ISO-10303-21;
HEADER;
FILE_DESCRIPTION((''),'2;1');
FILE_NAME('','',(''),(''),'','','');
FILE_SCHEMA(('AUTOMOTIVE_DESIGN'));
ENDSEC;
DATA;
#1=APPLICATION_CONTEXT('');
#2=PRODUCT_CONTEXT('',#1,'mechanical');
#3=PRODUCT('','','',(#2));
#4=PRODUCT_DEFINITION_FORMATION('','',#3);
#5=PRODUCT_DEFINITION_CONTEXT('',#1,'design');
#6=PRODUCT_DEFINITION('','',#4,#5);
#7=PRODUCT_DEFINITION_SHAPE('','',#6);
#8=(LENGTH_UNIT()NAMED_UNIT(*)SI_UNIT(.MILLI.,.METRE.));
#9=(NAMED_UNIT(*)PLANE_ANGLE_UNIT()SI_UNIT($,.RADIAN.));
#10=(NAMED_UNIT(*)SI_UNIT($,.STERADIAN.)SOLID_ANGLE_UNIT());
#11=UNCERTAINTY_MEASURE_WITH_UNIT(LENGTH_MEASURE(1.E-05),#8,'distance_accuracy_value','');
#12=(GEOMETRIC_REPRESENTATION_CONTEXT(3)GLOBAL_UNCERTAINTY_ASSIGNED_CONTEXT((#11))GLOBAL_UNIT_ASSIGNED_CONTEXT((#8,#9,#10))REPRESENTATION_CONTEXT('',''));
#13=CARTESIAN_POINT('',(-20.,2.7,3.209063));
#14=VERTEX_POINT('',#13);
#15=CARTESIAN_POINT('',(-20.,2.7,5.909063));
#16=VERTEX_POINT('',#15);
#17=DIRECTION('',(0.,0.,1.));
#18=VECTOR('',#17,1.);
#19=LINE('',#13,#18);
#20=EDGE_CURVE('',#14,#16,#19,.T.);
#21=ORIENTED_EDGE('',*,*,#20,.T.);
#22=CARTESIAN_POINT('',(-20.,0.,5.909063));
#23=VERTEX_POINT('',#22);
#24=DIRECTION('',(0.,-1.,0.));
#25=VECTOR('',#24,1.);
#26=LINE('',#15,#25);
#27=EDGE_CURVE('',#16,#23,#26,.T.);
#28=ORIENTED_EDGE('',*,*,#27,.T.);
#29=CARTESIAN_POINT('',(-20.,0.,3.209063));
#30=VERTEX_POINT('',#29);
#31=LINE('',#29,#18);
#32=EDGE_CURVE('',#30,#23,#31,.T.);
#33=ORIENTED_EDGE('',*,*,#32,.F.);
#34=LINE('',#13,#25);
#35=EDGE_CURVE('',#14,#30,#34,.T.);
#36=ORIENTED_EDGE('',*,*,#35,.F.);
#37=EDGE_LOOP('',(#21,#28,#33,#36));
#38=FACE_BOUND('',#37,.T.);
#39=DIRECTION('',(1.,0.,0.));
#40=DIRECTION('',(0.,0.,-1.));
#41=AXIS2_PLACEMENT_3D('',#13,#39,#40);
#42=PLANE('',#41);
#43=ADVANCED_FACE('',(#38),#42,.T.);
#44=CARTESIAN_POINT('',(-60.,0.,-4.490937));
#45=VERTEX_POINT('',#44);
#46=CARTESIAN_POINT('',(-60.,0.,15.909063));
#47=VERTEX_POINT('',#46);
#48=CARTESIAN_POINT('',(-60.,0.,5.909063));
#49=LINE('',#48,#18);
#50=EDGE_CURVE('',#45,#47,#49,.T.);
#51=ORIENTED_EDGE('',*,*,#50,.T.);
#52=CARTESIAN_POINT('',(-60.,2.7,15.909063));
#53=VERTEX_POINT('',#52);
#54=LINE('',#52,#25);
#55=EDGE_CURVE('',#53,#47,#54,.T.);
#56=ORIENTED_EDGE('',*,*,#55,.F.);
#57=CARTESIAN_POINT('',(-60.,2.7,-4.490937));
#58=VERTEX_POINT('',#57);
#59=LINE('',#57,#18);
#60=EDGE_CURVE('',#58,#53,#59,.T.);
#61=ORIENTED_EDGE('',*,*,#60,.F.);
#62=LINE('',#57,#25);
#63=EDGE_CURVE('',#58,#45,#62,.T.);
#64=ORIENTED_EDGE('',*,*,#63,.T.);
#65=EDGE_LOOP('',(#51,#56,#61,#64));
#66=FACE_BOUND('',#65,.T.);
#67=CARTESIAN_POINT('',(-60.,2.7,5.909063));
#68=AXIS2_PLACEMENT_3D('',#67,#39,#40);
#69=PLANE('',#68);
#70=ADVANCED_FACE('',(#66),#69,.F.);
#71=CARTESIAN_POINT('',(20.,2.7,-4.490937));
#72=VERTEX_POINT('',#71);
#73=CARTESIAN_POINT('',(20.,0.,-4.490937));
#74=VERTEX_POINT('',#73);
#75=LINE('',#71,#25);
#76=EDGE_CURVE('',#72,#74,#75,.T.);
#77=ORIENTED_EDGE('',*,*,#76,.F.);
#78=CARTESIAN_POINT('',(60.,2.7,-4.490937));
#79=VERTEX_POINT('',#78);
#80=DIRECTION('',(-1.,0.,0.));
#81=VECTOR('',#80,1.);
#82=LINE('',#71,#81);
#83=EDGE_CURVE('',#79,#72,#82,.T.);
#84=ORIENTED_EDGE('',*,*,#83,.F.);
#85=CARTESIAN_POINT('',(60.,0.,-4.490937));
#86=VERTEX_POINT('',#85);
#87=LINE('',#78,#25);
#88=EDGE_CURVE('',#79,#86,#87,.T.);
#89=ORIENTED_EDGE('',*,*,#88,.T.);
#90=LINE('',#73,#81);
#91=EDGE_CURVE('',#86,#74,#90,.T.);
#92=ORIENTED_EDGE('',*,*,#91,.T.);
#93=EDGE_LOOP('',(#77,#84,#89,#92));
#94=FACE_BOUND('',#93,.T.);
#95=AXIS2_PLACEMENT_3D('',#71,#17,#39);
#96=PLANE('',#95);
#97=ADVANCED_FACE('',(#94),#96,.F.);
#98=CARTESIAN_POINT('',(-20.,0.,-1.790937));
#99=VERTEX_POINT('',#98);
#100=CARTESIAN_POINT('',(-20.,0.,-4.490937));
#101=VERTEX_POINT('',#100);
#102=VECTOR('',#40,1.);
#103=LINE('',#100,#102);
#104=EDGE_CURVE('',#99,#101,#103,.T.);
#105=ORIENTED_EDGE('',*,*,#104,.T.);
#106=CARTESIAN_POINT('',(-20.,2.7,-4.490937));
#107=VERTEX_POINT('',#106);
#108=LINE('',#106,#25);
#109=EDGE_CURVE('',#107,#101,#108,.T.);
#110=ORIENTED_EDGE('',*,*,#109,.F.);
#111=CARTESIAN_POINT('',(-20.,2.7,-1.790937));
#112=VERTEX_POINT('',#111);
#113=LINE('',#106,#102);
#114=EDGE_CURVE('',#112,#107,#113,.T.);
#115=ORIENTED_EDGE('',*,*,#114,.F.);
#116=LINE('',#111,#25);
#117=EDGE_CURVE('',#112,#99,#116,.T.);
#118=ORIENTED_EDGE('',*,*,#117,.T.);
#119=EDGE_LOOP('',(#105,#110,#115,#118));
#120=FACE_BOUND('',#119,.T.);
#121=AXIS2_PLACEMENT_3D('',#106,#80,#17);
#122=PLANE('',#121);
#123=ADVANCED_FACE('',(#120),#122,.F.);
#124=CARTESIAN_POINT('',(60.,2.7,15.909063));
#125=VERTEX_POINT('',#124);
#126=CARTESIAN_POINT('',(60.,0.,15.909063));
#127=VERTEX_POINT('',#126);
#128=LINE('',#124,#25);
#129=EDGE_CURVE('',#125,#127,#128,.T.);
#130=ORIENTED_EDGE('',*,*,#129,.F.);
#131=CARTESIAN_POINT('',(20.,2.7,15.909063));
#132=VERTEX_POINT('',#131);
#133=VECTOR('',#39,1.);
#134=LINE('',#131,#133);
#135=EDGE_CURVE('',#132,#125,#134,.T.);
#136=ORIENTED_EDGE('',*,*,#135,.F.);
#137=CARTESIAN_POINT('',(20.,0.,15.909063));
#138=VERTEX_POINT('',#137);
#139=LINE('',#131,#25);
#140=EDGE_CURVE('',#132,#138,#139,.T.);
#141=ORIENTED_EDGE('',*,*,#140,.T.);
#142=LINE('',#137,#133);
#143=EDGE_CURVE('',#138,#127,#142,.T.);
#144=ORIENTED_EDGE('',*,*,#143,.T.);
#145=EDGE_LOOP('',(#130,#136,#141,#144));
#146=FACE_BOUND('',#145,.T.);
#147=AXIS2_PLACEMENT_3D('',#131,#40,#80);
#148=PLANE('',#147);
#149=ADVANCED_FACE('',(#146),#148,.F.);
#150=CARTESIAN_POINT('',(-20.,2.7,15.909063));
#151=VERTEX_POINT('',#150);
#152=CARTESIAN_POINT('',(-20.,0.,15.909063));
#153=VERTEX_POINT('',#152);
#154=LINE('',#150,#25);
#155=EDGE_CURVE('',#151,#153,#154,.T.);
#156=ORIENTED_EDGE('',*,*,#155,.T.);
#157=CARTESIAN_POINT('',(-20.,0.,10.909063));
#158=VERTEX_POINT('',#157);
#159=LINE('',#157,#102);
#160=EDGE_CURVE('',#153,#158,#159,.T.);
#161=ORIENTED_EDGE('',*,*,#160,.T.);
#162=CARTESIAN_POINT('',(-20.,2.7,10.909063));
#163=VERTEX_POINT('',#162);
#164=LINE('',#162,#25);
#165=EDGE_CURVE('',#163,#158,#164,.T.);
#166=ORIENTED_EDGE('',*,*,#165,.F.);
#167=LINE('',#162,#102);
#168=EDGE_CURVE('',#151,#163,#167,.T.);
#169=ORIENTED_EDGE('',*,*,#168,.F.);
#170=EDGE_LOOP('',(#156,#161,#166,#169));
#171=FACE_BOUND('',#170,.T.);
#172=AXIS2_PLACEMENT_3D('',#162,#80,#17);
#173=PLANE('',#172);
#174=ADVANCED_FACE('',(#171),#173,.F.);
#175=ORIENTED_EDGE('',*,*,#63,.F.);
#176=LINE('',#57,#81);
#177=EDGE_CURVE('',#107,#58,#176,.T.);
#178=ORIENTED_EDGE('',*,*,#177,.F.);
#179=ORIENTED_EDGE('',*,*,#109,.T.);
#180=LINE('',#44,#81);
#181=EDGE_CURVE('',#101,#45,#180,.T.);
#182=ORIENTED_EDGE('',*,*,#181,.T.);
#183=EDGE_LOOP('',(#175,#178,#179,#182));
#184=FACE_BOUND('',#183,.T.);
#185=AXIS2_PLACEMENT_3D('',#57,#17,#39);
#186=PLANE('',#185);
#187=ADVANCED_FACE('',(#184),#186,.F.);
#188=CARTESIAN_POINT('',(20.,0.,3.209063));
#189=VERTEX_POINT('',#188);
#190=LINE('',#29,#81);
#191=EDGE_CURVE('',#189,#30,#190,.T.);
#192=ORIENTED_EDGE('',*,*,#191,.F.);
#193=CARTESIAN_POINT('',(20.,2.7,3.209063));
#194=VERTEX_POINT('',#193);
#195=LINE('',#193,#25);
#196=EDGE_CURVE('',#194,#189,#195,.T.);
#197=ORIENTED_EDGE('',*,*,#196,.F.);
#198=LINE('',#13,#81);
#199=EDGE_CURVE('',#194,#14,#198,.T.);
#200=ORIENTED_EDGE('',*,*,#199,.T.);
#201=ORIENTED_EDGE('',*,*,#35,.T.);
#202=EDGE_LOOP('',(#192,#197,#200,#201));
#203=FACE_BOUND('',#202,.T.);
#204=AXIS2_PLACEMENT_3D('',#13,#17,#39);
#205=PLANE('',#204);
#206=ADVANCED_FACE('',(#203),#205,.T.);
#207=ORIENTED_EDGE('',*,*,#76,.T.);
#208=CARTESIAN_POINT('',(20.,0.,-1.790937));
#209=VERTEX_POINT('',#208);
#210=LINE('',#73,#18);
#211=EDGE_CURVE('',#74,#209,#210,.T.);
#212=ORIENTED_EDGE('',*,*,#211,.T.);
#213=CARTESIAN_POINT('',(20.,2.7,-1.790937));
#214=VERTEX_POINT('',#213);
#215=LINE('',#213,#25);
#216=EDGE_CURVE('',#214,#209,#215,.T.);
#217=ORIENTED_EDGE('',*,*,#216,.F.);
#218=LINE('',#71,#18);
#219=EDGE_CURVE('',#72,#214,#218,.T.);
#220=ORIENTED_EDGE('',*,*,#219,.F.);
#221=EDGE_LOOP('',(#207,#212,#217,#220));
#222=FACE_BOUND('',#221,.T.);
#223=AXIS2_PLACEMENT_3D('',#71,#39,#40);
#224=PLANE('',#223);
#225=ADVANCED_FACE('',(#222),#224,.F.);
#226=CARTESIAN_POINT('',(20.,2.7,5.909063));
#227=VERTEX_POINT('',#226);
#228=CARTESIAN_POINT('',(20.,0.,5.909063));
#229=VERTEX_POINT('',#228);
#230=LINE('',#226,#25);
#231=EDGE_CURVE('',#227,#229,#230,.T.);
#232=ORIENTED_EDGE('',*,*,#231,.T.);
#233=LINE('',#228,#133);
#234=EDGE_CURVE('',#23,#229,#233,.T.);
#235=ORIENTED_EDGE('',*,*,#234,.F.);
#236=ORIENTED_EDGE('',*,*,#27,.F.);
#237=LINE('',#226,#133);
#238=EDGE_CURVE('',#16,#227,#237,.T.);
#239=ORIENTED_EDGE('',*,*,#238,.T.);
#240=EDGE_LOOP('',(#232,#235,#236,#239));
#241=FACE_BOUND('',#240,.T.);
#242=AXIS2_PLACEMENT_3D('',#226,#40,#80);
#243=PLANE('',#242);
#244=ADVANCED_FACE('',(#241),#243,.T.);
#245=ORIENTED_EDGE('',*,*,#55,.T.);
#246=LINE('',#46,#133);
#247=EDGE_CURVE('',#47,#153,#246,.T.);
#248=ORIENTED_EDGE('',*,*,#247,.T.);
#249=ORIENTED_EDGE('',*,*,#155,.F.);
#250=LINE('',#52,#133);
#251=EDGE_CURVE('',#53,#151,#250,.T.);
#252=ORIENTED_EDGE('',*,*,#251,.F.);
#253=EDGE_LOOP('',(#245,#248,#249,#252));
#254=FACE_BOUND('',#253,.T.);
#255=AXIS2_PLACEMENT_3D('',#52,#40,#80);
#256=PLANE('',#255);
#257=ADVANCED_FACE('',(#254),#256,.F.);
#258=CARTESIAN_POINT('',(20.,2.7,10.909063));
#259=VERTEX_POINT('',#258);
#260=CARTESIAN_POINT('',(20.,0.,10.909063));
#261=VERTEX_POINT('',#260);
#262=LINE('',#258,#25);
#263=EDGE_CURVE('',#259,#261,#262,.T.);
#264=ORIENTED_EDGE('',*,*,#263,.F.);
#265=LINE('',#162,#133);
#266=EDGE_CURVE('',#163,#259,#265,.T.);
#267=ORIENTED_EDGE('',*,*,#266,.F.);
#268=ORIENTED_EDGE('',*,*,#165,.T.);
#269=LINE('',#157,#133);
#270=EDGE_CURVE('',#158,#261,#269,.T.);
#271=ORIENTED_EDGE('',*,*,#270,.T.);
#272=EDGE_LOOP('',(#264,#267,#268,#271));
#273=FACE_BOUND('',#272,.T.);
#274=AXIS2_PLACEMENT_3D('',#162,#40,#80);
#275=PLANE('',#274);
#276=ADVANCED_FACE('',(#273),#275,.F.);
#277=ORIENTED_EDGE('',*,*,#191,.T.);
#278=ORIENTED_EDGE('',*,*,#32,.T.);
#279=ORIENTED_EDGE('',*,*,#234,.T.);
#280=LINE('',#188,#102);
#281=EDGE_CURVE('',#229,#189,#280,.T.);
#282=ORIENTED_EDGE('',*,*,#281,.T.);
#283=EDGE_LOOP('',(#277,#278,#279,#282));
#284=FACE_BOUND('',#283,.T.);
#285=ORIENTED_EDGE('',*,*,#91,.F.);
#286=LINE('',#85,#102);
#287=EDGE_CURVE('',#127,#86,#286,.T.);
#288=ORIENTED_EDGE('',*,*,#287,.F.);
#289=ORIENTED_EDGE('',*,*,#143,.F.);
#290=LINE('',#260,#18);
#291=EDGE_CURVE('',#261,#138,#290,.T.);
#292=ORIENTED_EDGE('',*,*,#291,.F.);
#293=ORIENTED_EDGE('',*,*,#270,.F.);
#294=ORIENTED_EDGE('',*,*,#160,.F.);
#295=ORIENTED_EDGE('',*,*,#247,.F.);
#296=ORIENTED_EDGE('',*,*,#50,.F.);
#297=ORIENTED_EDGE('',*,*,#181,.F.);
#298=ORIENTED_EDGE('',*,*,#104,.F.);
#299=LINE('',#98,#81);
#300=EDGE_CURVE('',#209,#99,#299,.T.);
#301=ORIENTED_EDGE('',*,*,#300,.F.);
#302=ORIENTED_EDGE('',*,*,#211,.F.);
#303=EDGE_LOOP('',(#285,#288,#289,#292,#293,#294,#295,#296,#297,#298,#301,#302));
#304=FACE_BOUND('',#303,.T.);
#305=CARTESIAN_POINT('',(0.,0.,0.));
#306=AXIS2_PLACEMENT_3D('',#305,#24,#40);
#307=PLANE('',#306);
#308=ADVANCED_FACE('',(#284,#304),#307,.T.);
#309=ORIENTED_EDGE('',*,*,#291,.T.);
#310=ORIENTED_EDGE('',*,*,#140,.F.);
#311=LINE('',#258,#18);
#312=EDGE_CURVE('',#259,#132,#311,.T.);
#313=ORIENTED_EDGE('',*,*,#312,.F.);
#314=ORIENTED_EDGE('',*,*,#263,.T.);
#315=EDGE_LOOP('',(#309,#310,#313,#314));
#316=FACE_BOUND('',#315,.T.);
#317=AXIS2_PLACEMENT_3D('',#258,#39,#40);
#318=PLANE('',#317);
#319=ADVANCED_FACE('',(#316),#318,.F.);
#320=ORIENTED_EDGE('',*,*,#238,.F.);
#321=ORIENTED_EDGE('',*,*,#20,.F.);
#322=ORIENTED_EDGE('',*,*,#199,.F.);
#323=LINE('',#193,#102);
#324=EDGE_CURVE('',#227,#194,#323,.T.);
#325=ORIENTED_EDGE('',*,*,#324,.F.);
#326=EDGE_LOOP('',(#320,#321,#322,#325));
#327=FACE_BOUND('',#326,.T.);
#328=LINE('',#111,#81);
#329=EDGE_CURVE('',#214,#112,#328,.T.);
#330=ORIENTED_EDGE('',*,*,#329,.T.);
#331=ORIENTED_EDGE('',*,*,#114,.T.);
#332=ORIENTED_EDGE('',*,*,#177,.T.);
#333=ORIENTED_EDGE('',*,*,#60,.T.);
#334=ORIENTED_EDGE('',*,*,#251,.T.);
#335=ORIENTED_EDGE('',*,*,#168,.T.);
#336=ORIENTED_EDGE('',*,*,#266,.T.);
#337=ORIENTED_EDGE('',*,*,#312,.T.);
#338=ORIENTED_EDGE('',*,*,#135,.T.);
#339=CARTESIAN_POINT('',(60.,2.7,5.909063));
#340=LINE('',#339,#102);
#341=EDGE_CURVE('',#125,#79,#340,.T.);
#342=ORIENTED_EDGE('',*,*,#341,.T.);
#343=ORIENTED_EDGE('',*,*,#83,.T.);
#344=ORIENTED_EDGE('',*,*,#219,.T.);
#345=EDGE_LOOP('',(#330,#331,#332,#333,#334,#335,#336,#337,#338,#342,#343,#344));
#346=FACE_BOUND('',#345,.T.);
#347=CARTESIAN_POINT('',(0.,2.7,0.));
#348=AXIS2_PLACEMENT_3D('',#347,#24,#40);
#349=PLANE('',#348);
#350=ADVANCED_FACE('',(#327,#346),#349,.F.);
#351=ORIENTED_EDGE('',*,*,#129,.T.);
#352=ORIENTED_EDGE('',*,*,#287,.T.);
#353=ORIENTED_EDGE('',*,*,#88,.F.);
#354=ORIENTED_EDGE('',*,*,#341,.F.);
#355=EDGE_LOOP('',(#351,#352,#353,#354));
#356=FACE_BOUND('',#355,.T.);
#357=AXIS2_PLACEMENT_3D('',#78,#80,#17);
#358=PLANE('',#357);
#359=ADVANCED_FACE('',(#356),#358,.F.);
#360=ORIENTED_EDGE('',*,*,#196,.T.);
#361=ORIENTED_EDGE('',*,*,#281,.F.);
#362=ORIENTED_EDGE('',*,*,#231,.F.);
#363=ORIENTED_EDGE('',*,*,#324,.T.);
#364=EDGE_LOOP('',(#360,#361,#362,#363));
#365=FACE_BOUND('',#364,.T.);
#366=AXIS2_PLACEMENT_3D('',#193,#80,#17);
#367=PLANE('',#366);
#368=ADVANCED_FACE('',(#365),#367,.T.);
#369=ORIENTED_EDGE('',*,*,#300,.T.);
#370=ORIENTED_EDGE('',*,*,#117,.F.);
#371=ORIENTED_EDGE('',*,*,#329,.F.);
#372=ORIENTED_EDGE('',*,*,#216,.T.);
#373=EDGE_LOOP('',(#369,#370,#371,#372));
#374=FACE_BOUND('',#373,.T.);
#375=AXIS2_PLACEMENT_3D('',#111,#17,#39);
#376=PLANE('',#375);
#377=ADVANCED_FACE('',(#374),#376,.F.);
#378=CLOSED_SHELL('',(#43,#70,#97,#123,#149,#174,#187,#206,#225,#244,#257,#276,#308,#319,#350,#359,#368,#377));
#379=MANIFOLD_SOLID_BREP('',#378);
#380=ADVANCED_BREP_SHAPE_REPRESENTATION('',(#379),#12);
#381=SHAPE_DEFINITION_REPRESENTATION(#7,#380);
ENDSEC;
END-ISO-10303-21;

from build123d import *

# Parameters (mm, degrees)
SKETCH1_W           = 40
SKETCH1_H           = 2.7
BOSS_EXTRUDE1_DEPTH = 2.7


with BuildPart() as part:
    # Sketch1 → Boss-Extrude1 (new body)
    with BuildSketch(Plane(origin=(0, 0, 0), x_dir=(1, 0, 0), z_dir=(0, 1, 0))):
        Polygon((-20, 1.790937165), (20, 1.790937165), (20, 4.490937165), (60, 4.490937165), (60, -3.209062835), (60, -5.909062835), (60, -15.909062835), (20, -15.909062835), (20, -10.909062835), (-20, -10.909062835), (-20, -15.909062835), (-60, -15.909062835), (-60, -5.909062835), (-60, -3.209062835), (-60, 4.490937165), (-20, 4.490937165), align=None)
        with Locations((0, -4.559062835)):
            Rectangle(SKETCH1_W, SKETCH1_H, mode=Mode.SUBTRACT)
    extrude(amount=BOSS_EXTRUDE1_DEPTH)


solid = part.part
